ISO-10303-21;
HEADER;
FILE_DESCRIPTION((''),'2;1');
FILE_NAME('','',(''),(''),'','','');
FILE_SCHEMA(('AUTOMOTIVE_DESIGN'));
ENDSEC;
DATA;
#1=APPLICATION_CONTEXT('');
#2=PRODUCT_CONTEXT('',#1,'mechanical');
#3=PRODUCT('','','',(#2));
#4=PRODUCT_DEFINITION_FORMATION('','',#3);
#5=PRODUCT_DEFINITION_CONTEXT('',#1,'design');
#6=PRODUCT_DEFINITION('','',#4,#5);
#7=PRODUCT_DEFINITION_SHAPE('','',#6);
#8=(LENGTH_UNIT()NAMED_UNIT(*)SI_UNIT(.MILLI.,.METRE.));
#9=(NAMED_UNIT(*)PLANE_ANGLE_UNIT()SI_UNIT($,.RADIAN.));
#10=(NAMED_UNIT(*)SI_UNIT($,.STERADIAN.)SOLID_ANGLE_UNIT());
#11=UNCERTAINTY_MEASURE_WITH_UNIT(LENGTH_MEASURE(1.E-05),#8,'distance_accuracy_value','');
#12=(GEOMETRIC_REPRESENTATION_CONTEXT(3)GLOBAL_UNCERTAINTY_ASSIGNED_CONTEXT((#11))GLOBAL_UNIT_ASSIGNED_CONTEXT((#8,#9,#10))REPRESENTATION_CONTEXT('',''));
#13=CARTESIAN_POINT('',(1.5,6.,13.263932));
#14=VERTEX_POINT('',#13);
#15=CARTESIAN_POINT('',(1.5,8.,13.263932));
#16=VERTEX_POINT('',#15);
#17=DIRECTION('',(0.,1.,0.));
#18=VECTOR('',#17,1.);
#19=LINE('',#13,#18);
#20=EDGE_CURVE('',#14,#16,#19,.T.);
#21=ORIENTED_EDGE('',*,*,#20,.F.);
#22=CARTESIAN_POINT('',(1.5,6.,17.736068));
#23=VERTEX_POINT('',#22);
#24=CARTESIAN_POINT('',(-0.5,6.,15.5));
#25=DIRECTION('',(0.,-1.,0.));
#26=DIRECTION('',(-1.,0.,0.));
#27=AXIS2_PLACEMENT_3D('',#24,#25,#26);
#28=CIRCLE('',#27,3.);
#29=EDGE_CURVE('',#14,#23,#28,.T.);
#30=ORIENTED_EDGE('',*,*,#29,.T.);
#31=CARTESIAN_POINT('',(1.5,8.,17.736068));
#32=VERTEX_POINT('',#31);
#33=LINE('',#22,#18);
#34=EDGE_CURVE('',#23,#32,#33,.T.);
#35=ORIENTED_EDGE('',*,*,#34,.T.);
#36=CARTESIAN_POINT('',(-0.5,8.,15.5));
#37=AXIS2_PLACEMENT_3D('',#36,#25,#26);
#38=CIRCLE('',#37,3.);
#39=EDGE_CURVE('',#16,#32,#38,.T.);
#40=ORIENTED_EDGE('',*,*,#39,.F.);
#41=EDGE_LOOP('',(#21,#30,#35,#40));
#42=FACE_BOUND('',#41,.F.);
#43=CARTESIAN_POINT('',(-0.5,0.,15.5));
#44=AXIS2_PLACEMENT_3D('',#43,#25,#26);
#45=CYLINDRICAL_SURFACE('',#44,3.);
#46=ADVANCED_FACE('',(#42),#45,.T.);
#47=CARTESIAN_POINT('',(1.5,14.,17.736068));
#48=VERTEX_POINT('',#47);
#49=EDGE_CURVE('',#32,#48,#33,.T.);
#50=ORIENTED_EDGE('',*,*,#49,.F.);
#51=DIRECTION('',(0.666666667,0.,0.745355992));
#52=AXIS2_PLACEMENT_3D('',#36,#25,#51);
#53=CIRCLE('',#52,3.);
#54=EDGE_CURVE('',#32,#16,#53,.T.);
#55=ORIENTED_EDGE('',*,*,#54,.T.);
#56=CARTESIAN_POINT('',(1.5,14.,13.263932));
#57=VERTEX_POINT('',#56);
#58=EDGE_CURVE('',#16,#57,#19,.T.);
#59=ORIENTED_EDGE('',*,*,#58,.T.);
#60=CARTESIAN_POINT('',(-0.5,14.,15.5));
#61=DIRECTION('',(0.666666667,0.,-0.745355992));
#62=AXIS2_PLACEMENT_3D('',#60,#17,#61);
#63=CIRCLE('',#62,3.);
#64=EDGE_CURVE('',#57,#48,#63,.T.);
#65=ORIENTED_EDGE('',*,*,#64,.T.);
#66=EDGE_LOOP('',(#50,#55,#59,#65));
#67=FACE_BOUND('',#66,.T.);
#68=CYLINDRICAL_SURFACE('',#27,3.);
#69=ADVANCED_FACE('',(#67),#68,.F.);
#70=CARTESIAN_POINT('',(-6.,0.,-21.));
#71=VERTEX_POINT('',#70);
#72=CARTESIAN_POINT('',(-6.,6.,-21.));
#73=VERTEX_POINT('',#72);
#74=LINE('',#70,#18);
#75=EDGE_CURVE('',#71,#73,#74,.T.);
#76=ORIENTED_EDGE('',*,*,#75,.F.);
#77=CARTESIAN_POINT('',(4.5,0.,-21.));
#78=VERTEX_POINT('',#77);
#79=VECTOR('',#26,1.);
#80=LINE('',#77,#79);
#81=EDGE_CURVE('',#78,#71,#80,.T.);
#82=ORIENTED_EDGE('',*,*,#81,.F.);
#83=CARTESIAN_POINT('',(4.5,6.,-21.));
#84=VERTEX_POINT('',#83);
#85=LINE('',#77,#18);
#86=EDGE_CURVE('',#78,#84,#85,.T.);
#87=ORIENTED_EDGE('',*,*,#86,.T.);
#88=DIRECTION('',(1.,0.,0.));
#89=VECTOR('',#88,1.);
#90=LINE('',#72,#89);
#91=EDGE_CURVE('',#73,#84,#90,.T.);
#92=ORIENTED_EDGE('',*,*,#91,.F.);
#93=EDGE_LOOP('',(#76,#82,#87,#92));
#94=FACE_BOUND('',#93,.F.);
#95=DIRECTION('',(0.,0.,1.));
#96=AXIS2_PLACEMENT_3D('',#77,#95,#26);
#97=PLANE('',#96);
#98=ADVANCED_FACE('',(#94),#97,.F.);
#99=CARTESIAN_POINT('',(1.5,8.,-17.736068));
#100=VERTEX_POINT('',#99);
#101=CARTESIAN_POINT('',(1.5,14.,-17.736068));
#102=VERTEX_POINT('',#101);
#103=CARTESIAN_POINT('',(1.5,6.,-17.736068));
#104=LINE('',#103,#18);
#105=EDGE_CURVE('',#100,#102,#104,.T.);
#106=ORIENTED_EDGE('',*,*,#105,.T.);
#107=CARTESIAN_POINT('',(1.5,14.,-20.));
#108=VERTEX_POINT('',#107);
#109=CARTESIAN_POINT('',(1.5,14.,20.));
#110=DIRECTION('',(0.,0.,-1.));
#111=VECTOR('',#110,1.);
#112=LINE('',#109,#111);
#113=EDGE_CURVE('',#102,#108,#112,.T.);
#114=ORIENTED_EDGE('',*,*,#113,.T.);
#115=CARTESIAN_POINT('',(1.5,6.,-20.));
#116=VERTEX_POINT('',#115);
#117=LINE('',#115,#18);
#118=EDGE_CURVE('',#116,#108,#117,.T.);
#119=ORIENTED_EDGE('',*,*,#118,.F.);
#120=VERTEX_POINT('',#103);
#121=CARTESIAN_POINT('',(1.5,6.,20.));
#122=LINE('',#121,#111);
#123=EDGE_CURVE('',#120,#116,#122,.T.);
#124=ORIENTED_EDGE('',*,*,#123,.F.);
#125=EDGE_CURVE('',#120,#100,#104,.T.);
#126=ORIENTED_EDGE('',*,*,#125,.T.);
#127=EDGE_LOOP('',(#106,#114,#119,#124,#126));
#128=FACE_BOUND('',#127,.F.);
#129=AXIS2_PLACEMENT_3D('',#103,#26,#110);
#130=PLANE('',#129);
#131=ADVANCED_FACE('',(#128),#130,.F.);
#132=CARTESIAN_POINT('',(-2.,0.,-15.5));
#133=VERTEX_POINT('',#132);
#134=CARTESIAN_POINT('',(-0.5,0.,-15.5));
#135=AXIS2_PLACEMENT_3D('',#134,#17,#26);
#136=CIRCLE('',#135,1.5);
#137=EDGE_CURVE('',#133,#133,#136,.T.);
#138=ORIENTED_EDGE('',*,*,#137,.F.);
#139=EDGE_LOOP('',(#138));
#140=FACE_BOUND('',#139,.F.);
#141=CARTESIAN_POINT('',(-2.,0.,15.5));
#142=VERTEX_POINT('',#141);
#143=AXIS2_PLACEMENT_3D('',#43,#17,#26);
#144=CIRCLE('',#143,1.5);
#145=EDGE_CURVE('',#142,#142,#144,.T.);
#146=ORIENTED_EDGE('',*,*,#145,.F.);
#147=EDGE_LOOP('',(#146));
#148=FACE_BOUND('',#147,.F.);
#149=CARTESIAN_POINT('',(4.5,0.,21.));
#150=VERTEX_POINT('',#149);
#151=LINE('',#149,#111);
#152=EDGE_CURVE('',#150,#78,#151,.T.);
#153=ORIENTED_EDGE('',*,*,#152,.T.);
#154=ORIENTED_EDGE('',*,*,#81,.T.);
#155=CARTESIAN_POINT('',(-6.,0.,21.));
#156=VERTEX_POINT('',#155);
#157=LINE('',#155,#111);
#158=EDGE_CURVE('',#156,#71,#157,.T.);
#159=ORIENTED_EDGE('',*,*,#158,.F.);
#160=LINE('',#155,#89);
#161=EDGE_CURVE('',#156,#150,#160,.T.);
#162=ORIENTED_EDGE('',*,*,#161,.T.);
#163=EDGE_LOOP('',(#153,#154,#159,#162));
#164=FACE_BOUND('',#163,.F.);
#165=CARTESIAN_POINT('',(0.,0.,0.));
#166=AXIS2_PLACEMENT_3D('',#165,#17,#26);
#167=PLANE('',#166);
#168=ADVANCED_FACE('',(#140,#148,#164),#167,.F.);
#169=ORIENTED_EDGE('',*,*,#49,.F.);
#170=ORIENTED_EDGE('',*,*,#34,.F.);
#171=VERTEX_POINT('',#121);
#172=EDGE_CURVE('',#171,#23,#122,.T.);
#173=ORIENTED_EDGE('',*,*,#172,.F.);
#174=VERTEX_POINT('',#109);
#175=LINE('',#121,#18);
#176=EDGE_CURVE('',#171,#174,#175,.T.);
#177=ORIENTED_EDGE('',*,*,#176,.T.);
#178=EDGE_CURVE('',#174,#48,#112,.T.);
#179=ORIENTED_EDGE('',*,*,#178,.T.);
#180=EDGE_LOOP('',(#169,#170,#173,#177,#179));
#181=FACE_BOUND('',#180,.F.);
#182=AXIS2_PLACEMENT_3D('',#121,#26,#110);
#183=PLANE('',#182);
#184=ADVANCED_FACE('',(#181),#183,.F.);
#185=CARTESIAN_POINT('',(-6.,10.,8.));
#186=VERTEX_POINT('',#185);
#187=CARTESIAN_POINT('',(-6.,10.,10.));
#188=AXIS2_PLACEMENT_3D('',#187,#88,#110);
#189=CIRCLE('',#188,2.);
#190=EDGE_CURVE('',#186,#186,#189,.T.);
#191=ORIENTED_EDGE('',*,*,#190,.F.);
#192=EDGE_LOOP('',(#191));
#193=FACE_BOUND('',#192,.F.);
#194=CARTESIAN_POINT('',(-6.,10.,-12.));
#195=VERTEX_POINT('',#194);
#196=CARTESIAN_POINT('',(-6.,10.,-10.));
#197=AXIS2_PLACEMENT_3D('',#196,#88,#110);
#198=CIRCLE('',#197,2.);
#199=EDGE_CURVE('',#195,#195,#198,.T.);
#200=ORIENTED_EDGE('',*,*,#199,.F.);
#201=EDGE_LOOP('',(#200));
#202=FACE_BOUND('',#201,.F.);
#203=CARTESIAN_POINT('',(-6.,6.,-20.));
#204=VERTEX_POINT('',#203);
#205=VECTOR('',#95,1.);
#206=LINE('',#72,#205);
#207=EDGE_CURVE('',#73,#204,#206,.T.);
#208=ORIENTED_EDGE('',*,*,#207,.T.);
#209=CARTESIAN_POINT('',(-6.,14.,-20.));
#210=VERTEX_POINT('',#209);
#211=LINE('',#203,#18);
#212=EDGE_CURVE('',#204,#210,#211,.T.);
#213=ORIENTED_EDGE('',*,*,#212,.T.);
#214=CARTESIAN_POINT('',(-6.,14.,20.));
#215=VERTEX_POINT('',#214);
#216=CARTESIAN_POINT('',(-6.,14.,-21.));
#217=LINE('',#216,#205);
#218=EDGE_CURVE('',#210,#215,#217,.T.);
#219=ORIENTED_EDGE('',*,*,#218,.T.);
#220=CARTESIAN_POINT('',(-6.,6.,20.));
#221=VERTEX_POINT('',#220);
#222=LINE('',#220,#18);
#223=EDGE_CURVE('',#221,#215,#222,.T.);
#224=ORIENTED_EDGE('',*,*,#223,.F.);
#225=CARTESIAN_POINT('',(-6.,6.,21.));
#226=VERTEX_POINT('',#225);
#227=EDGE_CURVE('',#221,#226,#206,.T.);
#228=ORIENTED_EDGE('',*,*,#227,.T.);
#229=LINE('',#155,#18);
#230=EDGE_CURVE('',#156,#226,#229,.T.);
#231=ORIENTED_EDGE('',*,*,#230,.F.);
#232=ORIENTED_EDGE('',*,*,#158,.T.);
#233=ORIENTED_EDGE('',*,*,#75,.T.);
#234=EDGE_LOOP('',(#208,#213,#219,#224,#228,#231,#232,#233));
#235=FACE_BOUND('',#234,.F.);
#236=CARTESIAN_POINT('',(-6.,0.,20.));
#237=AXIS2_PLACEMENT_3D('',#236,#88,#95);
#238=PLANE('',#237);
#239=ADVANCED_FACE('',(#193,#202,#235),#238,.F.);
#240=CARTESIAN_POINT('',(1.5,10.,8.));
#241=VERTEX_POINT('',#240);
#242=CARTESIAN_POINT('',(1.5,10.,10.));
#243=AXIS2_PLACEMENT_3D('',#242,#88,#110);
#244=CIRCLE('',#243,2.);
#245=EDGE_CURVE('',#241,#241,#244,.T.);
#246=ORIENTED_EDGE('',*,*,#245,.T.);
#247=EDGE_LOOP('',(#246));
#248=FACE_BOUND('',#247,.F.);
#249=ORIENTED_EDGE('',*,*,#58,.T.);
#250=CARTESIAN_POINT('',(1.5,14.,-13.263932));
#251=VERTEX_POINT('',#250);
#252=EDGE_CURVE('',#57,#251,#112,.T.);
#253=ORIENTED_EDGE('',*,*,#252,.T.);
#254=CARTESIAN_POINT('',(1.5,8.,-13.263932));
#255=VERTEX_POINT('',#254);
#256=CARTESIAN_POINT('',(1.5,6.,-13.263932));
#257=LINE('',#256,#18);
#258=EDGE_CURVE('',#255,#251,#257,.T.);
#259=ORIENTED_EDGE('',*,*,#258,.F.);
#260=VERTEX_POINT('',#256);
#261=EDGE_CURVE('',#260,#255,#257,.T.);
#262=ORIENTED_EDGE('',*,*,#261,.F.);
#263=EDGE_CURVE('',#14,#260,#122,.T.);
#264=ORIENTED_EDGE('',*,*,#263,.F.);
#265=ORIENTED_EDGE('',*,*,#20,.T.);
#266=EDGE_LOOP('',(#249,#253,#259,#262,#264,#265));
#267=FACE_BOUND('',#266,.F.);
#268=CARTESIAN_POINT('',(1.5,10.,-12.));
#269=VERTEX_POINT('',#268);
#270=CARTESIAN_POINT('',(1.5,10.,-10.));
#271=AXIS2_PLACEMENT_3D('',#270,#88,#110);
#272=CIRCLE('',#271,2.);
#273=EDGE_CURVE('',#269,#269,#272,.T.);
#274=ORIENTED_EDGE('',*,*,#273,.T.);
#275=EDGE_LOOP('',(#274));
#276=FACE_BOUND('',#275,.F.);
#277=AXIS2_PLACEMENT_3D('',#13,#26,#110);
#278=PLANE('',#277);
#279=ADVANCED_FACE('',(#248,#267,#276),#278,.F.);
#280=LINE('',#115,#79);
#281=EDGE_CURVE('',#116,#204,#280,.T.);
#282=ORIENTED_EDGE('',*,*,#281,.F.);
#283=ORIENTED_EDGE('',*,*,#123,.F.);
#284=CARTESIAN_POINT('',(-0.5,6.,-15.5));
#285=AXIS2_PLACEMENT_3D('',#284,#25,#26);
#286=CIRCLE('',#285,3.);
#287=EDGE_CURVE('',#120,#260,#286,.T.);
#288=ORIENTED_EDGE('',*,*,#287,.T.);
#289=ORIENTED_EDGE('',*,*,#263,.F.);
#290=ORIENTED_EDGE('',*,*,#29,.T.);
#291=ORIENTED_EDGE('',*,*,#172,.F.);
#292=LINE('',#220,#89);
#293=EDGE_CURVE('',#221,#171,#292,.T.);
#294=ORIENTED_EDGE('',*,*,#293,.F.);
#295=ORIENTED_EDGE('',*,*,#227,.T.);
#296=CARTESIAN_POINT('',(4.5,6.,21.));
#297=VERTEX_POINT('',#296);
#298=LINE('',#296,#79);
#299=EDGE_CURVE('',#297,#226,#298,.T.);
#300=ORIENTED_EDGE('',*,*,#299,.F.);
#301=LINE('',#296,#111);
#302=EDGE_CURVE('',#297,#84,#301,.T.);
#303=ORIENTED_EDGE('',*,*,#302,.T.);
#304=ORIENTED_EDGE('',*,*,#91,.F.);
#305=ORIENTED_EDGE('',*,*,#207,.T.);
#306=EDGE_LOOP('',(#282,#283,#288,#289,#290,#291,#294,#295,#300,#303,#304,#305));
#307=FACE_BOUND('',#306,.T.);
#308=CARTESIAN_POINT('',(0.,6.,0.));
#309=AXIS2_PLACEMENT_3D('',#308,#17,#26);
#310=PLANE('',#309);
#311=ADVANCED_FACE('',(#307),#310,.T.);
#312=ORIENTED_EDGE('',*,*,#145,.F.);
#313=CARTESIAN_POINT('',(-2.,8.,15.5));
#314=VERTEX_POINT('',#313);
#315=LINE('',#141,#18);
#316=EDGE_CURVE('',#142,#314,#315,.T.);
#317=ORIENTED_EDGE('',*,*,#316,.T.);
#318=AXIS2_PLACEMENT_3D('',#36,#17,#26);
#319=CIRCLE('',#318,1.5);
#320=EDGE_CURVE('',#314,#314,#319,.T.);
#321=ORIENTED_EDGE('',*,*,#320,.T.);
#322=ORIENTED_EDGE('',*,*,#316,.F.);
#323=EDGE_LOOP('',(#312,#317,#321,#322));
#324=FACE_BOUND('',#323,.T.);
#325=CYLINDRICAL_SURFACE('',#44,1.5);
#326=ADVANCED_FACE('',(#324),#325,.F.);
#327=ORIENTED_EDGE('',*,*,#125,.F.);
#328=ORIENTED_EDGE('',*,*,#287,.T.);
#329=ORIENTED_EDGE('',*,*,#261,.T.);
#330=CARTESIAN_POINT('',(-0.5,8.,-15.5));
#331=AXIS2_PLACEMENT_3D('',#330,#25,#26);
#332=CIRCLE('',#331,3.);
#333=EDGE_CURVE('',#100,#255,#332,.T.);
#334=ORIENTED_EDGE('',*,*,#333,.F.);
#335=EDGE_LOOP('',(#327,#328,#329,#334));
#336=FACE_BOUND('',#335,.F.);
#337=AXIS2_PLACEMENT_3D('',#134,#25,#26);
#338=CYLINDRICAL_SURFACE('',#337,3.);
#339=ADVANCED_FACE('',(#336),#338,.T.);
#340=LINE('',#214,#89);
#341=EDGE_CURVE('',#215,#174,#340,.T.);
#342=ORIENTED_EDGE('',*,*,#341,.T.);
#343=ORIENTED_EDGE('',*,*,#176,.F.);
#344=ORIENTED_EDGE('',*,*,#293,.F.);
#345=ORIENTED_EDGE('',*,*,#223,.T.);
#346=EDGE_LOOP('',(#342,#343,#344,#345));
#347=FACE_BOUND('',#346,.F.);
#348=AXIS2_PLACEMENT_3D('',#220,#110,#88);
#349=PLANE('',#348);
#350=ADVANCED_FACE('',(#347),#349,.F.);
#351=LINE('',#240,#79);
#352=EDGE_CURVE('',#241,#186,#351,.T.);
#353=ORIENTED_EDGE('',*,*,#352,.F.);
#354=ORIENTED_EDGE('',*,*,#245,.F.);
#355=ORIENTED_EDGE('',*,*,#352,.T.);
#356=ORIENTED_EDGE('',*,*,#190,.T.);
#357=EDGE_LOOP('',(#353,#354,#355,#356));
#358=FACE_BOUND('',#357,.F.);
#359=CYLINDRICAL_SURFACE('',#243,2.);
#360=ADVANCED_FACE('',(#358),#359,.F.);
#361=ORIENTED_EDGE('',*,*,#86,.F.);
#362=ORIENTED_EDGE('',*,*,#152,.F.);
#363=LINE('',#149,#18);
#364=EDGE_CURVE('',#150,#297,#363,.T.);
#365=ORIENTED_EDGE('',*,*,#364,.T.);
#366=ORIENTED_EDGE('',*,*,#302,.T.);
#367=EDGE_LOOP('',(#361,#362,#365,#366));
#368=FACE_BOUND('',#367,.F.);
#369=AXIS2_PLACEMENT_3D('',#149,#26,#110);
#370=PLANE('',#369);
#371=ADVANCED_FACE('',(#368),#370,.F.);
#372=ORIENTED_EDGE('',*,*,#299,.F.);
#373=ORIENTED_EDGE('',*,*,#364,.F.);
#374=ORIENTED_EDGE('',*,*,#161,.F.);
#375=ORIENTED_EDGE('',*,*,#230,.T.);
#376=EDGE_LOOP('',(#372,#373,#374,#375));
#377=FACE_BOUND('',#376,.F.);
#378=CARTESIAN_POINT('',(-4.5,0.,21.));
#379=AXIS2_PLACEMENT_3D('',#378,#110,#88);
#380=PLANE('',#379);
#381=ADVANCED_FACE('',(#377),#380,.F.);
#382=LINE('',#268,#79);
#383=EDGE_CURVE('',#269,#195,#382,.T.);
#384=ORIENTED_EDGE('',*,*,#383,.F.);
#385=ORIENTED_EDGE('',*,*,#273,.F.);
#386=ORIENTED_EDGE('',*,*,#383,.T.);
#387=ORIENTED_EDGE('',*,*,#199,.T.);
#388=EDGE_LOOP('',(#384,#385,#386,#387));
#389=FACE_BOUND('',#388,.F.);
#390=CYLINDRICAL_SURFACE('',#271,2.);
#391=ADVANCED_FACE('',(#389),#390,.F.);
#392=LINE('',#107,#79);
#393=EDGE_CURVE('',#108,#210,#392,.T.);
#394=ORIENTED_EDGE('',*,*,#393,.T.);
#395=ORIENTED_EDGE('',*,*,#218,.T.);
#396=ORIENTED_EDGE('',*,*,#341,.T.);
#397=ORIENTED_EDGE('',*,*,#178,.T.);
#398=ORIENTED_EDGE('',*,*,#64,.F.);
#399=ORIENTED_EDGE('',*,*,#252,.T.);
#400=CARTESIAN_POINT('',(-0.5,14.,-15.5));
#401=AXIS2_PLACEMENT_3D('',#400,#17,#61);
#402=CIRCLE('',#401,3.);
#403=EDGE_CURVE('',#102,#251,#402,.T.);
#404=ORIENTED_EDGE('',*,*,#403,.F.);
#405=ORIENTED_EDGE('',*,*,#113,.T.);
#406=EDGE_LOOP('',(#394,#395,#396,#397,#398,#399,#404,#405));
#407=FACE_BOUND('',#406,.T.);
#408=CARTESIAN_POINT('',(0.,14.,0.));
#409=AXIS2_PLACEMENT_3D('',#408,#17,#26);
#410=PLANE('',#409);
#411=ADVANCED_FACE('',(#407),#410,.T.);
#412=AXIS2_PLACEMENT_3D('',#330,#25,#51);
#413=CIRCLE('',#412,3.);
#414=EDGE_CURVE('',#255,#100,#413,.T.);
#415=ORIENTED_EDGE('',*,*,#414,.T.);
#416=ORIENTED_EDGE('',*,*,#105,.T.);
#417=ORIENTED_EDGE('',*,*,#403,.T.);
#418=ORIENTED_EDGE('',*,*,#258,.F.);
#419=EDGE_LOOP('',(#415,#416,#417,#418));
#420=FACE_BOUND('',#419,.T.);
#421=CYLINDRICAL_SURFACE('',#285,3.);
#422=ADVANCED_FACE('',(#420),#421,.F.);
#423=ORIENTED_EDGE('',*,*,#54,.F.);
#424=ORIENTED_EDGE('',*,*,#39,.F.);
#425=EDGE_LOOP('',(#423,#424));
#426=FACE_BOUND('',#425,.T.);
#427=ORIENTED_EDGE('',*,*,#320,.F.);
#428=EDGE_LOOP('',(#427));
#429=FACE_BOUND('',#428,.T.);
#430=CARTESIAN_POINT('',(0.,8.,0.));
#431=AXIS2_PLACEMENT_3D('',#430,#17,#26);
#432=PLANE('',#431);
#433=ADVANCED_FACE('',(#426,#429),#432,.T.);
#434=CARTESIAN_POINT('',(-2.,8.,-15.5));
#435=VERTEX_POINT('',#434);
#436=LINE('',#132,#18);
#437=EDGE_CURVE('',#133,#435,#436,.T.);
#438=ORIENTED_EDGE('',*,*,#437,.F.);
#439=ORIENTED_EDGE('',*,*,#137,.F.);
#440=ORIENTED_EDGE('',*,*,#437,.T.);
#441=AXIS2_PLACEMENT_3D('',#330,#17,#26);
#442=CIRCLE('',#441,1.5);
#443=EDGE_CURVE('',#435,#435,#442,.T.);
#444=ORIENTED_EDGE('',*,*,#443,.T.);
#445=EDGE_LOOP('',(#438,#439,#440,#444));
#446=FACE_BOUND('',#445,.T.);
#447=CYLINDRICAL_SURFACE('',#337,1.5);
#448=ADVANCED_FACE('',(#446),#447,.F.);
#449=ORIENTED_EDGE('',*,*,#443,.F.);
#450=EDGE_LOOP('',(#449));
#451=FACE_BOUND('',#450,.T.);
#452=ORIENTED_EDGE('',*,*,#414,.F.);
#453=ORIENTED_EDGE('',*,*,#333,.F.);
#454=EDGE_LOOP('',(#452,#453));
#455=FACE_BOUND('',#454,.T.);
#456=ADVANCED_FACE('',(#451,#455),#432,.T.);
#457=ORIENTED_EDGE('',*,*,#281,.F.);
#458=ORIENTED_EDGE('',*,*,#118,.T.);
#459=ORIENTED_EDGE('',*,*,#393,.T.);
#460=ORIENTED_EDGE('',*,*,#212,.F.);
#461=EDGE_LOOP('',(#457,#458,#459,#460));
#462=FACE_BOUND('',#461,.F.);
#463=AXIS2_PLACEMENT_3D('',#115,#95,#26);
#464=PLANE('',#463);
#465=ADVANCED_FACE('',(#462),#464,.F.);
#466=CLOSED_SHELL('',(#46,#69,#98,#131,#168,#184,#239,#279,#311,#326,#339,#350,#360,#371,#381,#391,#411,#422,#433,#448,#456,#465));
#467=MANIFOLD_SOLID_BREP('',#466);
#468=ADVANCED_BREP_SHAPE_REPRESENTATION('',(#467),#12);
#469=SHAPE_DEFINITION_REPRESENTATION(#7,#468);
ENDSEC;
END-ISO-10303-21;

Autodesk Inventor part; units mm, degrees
ref_plane "YZ Plane" through (0, 0, 0) normal (1, 0, 0) x (0, 1, 0)
ref_plane "XZ Plane" through (0, 0, 0) normal (0, 1, 0) x (-1, 0, 0)
ref_plane "XY Plane" through (0, 0, 0) normal (0, 0, 1) x (1, 0, 0)
sketch "Sketch1" plane through (0, 0, 0) normal (0, 1, 0) x (-1, 0, 0)
  line L0 (-4.5, -21) -> (4.5, -21)
  line L1 (4.5, -21) -> (4.5, 21) construction
  line L2 (4.5, 21) -> (-4.5, 21)
  line L3 (-4.5, 21) -> (-4.5, -21)
  line L4 (-4.5, -21) -> (4.5, 21) construction
  line L5 (4.5, -21) -> (-4.5, 21) construction
  circle A0 centre (0.5, 15.5) radius 1.5
  circle A1 centre (0.5, -15.5) radius 1.5
  line L6 (0.5, 15.5) -> (0.5, -15.5) construction
  line L7 (4.5, 0) -> (0.5, 0) construction
  line L8 (6, 20) -> (-1.5, 20)
  line L9 (-1.5, 20) -> (-1.5, -20)
  line L10 (-1.5, -20) -> (6, -20)
  circle A2 centre (0.5, 15.5) radius 3
  circle A3 centre (0.5, -15.5) radius 3
  line L11 (4.5, -21) -> (6, -21)
  line L12 (6, -21) -> (6, 21)
  line L13 (6, 21) -> (4.5, 21)
  point P0 (0, 0)
  point P1 (-1.5, 0)
  point P2 (-1.5, 17.7361)
  point P3 (-1.5, 13.2639)
  point P4 (-1.5, -13.2639)
  point P5 (-1.5, -17.7361)
  dimension "d0" = 42
  dimension "d1" = 9
  dimension "d2" = 3
  dimension "d3" = 4
  dimension "d4" = 31
  dimension "d7" = 40
  dimension "d8" = 6
  dimension "d18" = 1.5
  dimension "d19" = 1.5
  dimension "d24" = 1.5
extrude "Extrusion1" add sketch "Sketch1" along normal blind 6
extrude "Extrusion2" add sketch "Sketch1" along normal blind 8 from surface at 6 contours L10 L9 A3 A2 L8 L12
sketch "Sketch3" plane through (1.5, 6, 20) normal (1, 0, 0) x (0, 0, -1)
  line L0 (2.2639, 8) -> (0, 8) projected
  line L1 (0, 0) -> (0, 8) projected
  line L2 (40, 0) -> (37.7361, 0) projected
  line L3 (40, 0) -> (40, 8) projected
  line L4 (10, 4) -> (30, 4) construction
  line L5 (37, 0) -> (37, -6) construction
  line L6 (20, 4) -> (20, 8) construction
  line L7 (40, 8) -> (0, 8) construction
  circle A0 centre (10, 4) radius 2
  circle A1 centre (30, 4) radius 2
  circle A2 centre (10, 4) radius 4
  circle A3 centre (30, 4) radius 4
  line L8 (40, 8) -> (37.7361, 8) projected
  line L9 (37.7361, 0) -> (37.7361, 8) projected
  line L10 (2.2639, 0) -> (0, 0) projected
  line L11 (2.2639, 0) -> (2.2639, 8) projected
  line L12 (33.2639, 8) -> (6.7361, 8) projected
  line L13 (6.7361, 0) -> (6.7361, 8) projected
  line L14 (33.2639, 0) -> (6.7361, 0) projected
  line L15 (33.2639, 0) -> (33.2639, 8) projected
  point P0 (20, -6)
  dimension "d11" = 20
  dimension "d12" = 4
  dimension "d15" = 4
  dimension "d22" = 8
extrude "Extrusion4" add sketch "Sketch1" along normal blind 8 from surface at 0 contours A3 L9 | L9 A3 | A2 L9 | L9 A2
extrude "Extrusion3" cut sketch "Sketch3" against normal through all contours A0 | A1
equation "\"d18\" = d19"
properties part number "Z Axis Stepper Bracket"
